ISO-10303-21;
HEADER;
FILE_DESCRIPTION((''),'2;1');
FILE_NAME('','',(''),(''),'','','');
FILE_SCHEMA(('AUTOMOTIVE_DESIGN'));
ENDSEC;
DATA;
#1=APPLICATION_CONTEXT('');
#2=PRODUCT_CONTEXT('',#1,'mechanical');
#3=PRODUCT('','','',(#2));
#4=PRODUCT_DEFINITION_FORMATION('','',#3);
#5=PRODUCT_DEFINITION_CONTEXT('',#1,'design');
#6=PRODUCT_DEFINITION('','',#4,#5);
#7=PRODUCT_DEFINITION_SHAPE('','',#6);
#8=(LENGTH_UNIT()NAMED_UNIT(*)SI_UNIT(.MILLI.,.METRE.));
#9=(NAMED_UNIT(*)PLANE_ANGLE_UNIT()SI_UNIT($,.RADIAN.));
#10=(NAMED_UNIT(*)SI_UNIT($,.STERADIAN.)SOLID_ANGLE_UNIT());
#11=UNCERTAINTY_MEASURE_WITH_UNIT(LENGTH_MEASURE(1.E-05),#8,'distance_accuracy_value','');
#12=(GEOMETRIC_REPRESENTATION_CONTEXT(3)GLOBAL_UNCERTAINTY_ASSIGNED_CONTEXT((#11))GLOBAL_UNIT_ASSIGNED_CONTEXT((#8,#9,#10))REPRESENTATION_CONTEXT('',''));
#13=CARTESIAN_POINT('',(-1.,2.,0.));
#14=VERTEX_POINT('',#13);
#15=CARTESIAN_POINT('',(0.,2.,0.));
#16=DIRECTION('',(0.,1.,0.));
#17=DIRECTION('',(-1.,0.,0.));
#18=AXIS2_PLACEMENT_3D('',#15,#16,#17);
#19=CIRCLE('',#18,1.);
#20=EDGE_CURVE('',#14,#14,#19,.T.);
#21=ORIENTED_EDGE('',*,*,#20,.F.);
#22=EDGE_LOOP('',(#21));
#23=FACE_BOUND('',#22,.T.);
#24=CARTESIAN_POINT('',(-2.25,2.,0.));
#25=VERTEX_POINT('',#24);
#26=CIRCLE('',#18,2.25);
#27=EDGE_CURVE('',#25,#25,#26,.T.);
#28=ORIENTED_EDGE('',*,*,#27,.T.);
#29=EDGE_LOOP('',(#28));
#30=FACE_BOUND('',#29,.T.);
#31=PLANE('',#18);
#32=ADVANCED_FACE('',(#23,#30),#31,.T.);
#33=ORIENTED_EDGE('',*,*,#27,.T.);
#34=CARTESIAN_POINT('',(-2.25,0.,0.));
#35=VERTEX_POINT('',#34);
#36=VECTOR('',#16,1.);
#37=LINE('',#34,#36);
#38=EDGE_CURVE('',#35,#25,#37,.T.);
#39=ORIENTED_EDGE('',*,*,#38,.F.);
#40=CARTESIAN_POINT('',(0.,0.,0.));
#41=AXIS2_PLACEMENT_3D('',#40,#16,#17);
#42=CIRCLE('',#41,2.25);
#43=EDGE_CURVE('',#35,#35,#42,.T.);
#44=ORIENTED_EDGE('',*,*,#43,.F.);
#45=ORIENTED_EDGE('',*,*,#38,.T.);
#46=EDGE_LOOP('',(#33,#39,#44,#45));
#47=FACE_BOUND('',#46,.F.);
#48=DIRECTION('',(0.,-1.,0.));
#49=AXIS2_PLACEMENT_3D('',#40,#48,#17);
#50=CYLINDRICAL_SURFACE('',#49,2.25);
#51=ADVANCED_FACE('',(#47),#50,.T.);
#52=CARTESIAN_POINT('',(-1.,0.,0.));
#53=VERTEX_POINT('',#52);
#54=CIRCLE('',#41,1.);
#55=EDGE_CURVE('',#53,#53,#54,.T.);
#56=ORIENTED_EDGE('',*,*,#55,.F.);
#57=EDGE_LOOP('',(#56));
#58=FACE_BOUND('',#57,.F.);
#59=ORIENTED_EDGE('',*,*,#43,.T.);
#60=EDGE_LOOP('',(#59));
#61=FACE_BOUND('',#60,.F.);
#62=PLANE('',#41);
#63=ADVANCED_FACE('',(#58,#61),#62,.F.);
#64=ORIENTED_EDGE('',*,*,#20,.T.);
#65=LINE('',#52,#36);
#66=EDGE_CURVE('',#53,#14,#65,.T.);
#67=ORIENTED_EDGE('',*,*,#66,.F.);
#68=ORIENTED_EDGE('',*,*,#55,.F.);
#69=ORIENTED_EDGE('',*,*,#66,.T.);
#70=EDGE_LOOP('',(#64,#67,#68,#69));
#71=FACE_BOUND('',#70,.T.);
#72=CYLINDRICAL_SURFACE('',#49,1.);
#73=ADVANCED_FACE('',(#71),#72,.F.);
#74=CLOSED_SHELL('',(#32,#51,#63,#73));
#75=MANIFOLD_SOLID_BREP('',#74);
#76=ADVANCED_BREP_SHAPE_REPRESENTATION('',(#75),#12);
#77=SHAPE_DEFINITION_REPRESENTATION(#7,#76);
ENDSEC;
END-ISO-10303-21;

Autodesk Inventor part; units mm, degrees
ref_plane "YZ Plane" through (0, 0, 0) normal (1, 0, 0) x (0, 1, 0)
ref_plane "XZ Plane" through (0, 0, 0) normal (0, 1, 0) x (-1, 0, 0)
ref_plane "XY Plane" through (0, 0, 0) normal (0, 0, 1) x (1, 0, 0)
sketch "Sketch1" plane through (0, 0, 0) normal (0, 1, 0) x (-1, 0, 0)
  circle A0 centre (0, 0) radius 2.25
  circle A1 centre (0, 0) radius 1
  dimension "d0" = 4.5
  dimension "d1" = 2
extrude "Extrusion1" add sketch "Sketch1" along normal blind 2
equation "\"BendRadius\" = Thickness"
equation "\"BendReliefWidth\" = Thickness"
equation "\"BendReliefDepth\" = 0.5 * Thickness"
equation "\"CornerReliefSize\" = 4 * Thickness"
equation "\"MinimumRemnant\" = 2 * Thickness"
equation "\"TransitionRadius\" = BendRadius"
equation "\"JacobiRadiusSize\" = BendRadius"
equation "\"GapSize\" = Thickness"
equation "\"Thickness\" = 0.5"
properties part number "Paqrt1"
